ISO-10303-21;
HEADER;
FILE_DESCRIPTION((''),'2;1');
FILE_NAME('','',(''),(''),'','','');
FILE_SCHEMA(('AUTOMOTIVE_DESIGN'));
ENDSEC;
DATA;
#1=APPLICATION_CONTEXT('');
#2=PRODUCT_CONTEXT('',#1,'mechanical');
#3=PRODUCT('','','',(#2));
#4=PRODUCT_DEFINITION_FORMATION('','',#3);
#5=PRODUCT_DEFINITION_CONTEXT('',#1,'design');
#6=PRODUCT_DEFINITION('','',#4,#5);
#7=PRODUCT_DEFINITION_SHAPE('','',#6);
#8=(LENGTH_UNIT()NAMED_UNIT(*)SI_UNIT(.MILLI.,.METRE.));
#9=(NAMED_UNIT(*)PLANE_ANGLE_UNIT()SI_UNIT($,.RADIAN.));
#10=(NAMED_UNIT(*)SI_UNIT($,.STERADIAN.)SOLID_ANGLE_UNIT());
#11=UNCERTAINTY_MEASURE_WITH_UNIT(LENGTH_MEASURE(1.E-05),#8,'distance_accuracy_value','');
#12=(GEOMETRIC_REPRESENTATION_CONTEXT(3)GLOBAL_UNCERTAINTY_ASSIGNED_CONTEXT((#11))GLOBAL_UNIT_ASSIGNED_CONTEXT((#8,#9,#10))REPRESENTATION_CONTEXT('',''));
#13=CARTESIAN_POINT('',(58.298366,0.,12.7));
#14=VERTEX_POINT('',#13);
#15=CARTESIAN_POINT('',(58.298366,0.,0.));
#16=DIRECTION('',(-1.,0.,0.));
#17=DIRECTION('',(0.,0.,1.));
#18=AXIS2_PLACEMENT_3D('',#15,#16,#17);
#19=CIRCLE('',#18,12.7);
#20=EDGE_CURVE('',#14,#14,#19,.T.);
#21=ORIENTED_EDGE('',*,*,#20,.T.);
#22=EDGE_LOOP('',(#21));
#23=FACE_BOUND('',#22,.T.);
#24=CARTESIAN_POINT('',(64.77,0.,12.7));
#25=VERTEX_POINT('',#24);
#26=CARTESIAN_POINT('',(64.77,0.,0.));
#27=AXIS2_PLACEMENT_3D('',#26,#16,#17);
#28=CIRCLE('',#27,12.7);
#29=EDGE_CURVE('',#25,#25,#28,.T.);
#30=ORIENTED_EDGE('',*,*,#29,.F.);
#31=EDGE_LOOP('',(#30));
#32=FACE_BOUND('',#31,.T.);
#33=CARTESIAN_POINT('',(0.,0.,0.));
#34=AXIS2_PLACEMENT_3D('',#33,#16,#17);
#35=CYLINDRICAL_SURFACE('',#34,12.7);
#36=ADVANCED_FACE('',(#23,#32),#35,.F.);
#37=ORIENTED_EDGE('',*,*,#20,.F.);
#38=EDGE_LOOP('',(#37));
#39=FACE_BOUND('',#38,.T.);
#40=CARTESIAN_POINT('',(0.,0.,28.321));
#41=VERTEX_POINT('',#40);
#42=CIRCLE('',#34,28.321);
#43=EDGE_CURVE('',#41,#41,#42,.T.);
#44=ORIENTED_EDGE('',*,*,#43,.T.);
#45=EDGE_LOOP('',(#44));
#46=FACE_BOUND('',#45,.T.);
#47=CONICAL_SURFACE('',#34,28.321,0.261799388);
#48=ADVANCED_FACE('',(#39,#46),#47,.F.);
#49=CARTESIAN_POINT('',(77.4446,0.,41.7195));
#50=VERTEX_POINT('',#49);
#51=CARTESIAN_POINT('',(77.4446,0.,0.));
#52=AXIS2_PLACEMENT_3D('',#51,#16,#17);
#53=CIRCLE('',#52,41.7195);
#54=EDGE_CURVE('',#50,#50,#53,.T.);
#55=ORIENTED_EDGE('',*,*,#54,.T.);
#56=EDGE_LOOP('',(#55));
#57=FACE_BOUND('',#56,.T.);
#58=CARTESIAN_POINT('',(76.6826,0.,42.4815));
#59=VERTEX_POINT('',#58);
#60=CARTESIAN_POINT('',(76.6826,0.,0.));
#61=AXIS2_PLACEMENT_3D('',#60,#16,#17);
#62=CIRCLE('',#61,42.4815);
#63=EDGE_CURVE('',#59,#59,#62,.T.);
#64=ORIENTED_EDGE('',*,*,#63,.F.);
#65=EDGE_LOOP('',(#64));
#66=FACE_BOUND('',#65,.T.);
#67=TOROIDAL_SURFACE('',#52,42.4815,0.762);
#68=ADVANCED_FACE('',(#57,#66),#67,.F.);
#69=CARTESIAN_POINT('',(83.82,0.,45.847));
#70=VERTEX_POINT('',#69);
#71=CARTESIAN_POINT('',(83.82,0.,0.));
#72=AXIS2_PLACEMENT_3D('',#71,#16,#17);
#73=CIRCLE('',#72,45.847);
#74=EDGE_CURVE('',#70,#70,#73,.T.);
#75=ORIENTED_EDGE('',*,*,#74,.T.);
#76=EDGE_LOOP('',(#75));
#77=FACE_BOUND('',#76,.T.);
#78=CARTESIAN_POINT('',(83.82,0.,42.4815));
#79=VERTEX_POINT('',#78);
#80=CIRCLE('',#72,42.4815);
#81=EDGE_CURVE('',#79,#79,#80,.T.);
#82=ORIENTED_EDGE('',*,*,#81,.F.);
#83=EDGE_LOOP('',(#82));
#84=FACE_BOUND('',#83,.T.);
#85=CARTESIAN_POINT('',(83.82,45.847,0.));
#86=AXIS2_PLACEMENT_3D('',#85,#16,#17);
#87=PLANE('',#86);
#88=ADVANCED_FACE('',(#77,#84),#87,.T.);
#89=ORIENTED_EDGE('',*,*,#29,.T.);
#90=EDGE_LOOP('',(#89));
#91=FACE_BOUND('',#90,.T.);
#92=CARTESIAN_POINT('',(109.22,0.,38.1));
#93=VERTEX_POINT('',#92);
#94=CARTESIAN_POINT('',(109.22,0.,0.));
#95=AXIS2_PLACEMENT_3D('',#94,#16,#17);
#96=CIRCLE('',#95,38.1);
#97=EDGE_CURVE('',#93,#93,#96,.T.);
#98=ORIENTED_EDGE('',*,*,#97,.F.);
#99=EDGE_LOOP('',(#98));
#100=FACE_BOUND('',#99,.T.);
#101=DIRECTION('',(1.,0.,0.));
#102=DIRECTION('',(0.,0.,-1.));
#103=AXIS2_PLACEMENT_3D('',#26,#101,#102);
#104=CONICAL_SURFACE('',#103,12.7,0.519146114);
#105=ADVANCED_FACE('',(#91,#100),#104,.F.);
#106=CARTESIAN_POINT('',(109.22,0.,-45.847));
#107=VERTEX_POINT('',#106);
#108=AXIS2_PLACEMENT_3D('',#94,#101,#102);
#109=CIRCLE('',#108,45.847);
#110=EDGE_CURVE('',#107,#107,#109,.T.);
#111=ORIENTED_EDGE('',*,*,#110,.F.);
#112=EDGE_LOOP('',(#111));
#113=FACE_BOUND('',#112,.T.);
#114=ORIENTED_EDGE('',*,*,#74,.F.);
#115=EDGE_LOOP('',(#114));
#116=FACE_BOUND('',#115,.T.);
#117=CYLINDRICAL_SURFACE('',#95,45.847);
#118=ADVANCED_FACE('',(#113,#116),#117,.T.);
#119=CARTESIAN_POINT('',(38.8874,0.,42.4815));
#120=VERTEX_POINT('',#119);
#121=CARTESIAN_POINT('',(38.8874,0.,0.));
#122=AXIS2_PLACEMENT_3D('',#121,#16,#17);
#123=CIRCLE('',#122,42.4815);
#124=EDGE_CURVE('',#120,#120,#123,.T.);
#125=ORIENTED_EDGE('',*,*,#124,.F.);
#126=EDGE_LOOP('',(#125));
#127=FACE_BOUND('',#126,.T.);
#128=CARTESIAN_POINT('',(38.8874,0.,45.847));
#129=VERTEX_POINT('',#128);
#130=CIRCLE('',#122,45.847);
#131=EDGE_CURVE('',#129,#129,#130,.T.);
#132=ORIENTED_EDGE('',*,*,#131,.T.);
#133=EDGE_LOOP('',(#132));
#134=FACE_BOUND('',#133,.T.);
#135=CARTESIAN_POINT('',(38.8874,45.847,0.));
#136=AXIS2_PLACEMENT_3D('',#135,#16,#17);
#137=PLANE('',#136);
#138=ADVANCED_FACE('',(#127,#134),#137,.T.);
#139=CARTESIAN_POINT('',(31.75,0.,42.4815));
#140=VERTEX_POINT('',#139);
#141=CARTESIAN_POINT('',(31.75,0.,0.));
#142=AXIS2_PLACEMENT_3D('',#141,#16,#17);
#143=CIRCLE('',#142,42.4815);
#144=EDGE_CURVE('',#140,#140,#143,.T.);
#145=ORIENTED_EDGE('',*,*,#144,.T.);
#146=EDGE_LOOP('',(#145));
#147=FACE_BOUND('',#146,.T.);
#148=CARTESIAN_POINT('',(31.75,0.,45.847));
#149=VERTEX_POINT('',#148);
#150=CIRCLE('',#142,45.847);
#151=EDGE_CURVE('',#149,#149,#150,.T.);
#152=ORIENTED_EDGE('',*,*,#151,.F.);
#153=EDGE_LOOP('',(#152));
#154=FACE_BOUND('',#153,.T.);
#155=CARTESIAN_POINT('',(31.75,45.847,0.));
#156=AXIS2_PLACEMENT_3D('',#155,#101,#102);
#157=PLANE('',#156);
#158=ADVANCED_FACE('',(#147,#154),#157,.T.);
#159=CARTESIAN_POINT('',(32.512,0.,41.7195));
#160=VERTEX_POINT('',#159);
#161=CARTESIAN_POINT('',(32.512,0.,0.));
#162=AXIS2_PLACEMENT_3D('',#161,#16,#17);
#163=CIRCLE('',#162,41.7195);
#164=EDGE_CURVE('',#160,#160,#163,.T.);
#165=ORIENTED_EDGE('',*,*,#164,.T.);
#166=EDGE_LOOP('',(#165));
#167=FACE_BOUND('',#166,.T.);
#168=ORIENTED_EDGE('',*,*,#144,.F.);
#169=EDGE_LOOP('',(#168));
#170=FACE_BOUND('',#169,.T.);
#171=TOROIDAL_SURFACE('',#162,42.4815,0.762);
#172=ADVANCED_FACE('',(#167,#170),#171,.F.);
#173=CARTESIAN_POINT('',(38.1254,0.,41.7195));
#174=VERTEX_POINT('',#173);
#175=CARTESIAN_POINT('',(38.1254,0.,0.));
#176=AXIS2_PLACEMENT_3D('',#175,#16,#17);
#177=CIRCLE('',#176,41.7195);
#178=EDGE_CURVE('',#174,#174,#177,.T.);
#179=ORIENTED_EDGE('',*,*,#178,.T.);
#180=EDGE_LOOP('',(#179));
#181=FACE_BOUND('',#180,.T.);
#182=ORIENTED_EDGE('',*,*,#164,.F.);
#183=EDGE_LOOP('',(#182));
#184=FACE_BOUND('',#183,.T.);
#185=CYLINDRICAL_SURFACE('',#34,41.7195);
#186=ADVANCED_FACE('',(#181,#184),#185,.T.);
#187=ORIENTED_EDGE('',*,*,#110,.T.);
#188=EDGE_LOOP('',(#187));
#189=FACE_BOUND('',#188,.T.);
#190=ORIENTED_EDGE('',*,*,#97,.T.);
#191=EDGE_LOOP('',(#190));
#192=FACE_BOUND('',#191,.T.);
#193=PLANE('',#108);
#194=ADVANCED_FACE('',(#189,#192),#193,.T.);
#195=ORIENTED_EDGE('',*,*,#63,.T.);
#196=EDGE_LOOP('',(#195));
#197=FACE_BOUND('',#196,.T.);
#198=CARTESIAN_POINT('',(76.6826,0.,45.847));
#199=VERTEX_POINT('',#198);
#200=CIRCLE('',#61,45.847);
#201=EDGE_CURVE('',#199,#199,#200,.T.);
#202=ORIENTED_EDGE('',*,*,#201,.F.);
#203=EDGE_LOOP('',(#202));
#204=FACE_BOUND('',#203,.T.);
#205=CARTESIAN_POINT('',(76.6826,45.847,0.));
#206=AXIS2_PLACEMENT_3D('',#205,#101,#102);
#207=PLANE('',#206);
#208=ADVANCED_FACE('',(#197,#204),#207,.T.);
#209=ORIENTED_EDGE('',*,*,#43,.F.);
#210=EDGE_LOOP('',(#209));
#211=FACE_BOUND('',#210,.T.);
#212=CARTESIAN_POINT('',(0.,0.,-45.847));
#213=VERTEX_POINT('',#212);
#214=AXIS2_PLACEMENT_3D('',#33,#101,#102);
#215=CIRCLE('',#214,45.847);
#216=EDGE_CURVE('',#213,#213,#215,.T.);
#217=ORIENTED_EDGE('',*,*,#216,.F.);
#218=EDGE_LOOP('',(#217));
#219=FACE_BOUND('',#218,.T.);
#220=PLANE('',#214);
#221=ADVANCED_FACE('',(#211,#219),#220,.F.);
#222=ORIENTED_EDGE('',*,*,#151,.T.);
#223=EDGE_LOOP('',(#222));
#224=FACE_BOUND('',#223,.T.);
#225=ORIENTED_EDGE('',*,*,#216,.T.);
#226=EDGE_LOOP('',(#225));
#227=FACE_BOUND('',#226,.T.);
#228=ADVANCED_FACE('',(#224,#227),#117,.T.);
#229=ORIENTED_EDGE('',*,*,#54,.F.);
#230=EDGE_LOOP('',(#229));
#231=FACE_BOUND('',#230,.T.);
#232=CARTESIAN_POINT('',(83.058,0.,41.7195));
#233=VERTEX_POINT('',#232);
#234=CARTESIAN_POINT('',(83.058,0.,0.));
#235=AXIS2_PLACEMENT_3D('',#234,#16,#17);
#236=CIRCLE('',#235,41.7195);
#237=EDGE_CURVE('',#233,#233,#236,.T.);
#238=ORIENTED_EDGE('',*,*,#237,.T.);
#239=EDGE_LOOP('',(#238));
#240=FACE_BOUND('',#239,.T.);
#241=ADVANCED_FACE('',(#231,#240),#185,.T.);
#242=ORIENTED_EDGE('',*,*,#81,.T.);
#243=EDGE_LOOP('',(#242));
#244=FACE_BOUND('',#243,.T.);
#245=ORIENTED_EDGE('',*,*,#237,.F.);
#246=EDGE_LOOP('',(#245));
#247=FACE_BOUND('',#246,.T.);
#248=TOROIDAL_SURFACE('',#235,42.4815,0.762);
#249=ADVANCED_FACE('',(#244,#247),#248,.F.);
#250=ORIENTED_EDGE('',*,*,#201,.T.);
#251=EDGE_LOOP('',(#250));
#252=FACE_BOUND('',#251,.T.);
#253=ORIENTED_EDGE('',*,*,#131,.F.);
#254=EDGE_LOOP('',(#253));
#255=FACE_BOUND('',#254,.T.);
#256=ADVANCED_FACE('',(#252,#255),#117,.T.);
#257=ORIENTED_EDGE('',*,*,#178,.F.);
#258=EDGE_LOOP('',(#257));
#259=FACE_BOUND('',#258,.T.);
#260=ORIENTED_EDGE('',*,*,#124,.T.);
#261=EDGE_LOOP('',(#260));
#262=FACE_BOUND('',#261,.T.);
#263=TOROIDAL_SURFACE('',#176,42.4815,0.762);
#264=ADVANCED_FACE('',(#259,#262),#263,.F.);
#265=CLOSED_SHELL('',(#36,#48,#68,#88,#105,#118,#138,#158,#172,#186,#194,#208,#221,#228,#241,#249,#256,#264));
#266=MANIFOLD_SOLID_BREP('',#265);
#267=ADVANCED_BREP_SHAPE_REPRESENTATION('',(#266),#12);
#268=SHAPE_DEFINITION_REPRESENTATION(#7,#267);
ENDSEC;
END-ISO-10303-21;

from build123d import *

# Parameters (mm, degrees)
SKETCH1_R           = 45.847
BOSS_EXTRUDE1_DEPTH = 109.22


with BuildPart() as part:
    # Sketch1 → Boss-Extrude1 (new body)
    with BuildSketch(Plane(origin=(0, 0, 0), x_dir=(0, 0, -1), z_dir=(1, 0, 0))):
        Circle(SKETCH1_R)
    extrude(amount=BOSS_EXTRUDE1_DEPTH)

    # Sketch3 → Cut-Revolve1 (revolve, cut)
    with BuildSketch(Plane.XY):
        Polygon((0, 0), (0, 28.321), (58.298365665, 12.7), (64.77, 12.7), (109.22, 38.1), (109.22, 0), align=None)
    revolve(axis=Axis((0, 0, 0), (1, 0, 0)), mode=Mode.SUBTRACT)

    # Sketch4 → Cut-Revolve2 (revolve, cut)
    with BuildSketch(Plane.XY):
        with BuildLine():
            Line((76.6826, 45.847), (83.82, 45.847))
            Line((83.82, 45.847), (83.82, 42.4815))
            ThreePointArc((83.82, 42.4815), (83.596815367, 41.942684633), (83.058, 41.7195))
            Line((83.058, 41.7195), (77.4446, 41.7195))
            ThreePointArc((77.4446, 41.7195), (76.905784633, 41.942684633), (76.6826, 42.4815))
            Line((76.6826, 42.4815), (76.6826, 45.847))
        make_face()
        with BuildLine():
            Line((31.75, 45.847), (38.8874, 45.847))
            Line((38.8874, 45.847), (38.8874, 42.4815))
            ThreePointArc((38.8874, 42.4815), (38.664215367, 41.942684633), (38.1254, 41.7195))
            Line((38.1254, 41.7195), (32.512, 41.7195))
            ThreePointArc((32.512, 41.7195), (31.973184633, 41.942684633), (31.75, 42.4815))
            Line((31.75, 42.4815), (31.75, 45.847))
        make_face()
    revolve(axis=Axis((0, 0, 0), (-1, 0, 0)), mode=Mode.SUBTRACT)


solid = part.part
